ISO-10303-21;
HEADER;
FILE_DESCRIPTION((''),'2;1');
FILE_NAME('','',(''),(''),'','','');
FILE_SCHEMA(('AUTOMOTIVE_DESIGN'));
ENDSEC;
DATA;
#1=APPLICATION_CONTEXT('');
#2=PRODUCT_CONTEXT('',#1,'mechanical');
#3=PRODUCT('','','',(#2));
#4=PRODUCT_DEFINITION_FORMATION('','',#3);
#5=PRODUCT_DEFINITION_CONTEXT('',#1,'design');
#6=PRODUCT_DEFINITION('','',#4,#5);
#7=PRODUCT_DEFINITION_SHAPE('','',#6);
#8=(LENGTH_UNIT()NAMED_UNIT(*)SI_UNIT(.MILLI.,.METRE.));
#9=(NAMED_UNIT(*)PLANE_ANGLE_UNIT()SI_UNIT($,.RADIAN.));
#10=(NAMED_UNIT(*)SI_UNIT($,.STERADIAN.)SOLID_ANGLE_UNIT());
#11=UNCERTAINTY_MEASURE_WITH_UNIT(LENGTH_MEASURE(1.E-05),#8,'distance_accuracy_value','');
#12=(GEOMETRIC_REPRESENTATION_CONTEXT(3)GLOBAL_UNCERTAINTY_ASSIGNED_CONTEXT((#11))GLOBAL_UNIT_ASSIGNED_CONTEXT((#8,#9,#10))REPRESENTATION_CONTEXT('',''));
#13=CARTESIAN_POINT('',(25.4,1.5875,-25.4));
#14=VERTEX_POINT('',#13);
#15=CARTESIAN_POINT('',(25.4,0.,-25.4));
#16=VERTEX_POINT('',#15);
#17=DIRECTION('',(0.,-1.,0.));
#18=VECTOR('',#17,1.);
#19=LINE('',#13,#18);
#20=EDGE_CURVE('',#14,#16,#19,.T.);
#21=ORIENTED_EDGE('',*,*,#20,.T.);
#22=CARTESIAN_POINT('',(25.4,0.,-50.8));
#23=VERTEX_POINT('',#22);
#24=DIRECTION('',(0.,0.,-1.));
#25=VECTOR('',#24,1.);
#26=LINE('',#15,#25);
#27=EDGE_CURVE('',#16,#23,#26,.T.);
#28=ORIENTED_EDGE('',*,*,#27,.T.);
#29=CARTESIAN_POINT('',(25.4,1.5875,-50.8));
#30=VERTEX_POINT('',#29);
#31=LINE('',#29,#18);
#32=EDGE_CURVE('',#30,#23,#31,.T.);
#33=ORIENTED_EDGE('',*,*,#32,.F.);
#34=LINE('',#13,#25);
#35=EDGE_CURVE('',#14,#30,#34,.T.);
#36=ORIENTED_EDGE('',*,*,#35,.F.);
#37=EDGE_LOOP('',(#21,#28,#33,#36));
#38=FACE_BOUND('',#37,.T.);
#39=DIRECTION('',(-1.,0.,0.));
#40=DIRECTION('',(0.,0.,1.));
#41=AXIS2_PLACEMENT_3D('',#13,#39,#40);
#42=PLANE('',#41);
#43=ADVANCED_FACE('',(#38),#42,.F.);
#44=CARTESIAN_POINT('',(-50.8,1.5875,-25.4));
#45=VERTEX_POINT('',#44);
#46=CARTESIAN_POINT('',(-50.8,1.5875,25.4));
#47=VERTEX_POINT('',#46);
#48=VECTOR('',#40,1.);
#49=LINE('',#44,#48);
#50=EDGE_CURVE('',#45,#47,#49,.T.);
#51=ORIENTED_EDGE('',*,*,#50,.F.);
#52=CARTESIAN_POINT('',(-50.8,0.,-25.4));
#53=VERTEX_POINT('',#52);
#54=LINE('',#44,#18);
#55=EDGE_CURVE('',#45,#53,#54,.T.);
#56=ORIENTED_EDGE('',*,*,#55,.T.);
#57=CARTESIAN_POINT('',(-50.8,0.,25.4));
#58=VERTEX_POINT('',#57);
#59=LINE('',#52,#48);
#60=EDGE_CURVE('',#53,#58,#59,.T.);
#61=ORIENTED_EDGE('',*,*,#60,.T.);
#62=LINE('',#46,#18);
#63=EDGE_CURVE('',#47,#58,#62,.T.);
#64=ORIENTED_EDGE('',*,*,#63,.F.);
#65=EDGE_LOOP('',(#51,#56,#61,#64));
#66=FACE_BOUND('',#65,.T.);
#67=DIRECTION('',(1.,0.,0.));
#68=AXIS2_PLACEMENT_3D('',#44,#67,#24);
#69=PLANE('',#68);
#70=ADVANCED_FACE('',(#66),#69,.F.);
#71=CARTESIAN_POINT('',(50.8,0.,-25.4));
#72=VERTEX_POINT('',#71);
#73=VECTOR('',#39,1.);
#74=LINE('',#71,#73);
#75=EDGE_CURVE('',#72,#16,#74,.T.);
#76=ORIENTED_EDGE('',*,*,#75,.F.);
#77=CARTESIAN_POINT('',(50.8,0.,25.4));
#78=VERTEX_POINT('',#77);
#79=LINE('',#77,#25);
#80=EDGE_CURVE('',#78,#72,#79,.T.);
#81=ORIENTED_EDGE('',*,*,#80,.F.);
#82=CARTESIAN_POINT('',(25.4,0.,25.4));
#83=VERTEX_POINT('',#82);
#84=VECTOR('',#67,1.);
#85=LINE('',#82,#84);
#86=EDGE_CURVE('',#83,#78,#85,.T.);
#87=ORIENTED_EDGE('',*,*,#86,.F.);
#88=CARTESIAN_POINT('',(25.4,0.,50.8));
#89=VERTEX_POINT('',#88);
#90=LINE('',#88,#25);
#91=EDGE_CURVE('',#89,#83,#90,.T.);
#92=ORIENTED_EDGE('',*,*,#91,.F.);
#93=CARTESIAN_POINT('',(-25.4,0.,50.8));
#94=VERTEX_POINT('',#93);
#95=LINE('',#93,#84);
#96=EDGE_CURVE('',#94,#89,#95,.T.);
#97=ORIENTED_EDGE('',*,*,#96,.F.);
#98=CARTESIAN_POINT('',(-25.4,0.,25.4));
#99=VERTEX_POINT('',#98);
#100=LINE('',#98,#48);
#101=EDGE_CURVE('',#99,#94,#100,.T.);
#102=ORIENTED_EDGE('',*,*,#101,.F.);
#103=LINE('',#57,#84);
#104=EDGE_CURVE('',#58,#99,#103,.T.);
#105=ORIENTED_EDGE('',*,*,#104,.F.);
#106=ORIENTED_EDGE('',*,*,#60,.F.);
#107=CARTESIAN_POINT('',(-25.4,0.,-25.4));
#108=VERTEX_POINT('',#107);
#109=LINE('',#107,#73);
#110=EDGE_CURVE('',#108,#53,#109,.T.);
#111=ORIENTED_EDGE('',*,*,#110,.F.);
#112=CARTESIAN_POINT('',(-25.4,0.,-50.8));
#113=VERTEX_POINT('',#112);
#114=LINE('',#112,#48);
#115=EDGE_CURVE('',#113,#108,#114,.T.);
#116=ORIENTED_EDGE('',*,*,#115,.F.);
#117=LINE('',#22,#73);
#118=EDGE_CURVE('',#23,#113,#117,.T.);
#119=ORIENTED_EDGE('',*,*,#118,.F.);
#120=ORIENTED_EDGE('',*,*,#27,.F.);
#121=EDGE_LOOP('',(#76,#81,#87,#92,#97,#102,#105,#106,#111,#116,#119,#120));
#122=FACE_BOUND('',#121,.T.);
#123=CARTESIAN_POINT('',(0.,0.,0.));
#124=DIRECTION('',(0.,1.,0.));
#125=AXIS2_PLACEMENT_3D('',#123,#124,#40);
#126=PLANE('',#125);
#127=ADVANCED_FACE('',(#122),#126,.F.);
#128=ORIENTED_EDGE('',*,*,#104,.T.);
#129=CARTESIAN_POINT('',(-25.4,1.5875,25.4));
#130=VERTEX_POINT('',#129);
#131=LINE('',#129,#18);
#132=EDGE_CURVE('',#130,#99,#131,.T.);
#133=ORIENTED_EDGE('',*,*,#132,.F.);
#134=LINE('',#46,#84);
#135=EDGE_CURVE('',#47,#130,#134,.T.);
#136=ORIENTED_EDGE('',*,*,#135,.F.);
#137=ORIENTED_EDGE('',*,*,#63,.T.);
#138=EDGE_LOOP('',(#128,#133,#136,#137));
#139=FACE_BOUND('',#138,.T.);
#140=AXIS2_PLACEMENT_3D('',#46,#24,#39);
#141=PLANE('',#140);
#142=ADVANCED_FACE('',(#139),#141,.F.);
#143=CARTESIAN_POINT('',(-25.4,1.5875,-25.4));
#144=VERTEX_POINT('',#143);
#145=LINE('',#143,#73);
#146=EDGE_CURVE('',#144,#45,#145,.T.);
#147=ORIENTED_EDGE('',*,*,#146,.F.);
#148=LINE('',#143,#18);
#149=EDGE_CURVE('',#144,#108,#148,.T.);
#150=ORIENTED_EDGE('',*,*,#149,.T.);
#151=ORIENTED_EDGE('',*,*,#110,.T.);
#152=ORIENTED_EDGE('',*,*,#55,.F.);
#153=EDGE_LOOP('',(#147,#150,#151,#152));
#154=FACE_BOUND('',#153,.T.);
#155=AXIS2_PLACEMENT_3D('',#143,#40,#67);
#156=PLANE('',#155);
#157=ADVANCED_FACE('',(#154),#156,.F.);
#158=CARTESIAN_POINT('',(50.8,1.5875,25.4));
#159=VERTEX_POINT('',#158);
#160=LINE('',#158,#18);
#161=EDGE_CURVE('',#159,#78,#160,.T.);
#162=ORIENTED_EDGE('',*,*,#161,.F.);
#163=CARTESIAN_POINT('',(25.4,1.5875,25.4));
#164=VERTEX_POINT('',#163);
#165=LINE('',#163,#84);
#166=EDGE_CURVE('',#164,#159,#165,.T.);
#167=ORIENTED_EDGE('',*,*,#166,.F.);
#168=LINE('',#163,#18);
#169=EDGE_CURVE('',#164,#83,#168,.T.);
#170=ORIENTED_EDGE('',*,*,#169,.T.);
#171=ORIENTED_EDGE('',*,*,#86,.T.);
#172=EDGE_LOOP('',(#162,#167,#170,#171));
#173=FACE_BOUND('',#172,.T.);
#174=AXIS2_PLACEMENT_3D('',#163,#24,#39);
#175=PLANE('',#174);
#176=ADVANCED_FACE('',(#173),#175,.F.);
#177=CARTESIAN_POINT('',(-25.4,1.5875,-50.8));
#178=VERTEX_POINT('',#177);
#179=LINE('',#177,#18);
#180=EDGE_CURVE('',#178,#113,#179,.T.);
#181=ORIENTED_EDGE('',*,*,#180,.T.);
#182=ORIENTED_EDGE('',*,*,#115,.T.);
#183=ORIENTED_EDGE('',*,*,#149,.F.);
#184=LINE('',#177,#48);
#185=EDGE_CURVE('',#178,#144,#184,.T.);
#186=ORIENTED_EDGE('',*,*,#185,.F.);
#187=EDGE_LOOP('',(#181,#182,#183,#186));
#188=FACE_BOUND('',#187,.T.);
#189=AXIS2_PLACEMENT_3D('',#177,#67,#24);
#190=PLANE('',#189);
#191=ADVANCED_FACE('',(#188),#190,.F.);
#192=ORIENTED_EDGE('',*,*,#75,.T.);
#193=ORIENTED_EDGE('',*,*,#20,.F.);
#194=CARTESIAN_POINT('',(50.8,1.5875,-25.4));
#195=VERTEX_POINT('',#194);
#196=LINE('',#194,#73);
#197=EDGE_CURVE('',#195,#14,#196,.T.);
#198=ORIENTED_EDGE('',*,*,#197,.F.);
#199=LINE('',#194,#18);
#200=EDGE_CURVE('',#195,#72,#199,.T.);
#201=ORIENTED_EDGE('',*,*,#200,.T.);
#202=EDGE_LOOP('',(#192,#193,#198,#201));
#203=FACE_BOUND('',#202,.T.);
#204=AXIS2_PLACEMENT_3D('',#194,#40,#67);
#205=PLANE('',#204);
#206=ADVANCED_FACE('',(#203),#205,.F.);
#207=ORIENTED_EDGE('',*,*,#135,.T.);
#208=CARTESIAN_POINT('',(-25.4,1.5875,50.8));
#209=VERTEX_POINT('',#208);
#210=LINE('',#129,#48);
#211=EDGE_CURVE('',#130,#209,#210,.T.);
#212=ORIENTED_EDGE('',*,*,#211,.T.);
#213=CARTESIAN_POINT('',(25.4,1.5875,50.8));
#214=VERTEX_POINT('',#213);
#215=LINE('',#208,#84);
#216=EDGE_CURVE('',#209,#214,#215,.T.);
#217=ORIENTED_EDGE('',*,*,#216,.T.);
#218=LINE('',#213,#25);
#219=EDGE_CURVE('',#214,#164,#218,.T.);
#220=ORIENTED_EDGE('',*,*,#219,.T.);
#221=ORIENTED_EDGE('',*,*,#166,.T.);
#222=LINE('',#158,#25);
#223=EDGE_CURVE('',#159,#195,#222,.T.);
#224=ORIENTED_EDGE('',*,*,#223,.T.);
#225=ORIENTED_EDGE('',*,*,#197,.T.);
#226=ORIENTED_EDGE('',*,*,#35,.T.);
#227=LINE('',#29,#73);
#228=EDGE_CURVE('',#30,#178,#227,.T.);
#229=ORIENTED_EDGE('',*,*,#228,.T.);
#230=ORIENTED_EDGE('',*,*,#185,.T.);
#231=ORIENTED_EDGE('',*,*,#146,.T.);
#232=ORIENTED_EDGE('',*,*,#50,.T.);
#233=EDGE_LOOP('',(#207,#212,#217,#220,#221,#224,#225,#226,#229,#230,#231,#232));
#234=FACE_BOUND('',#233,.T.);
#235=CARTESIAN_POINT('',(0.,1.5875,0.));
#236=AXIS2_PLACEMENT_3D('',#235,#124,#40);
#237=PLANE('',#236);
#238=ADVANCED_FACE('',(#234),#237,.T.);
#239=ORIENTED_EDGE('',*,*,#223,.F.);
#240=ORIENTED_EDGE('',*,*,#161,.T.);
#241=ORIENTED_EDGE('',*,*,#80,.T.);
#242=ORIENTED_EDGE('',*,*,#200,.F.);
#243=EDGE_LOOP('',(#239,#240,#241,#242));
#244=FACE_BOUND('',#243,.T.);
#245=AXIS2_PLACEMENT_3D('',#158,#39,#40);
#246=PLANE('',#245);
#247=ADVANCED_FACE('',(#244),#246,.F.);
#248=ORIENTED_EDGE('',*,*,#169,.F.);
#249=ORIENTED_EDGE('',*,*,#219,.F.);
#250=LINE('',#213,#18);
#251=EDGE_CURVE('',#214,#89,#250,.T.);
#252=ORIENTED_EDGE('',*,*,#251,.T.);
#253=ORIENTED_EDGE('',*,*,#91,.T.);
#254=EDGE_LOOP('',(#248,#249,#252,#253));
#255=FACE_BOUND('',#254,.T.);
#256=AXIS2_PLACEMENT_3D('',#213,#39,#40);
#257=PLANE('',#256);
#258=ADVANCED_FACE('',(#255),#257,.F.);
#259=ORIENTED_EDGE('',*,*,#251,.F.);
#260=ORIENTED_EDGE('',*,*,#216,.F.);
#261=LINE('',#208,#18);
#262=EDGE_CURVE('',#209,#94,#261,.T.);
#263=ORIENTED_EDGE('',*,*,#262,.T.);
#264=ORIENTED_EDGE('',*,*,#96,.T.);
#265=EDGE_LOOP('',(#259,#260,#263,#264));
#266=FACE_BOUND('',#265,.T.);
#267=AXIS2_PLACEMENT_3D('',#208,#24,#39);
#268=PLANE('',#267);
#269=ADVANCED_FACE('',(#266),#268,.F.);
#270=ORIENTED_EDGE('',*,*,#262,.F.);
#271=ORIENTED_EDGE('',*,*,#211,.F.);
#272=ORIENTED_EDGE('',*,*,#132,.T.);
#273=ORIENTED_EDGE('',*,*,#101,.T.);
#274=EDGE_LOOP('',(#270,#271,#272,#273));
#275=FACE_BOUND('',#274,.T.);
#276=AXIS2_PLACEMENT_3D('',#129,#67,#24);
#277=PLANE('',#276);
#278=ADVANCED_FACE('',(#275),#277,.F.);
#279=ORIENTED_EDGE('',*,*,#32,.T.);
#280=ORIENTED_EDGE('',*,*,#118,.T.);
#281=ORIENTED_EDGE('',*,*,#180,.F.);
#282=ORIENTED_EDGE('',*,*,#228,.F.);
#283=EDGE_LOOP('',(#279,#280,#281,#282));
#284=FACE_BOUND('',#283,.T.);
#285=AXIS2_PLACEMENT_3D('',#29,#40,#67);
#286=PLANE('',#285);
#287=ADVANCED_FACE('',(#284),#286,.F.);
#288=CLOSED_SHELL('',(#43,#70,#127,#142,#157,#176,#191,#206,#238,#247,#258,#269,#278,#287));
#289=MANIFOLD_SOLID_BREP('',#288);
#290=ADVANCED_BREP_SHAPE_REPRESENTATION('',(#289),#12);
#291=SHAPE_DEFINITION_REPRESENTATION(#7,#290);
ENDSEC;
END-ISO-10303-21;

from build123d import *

# Parameters (mm, degrees)
BOSS_EXTRUDE1_DEPTH = 1.5875


with BuildPart() as part:
    # Sketch1 → Boss-Extrude1 (new body)
    with BuildSketch(Plane(origin=(0, 0, 0), x_dir=(1, 0, 0), z_dir=(0, 1, 0))):
        Polygon((-25.4, 50.8), (-25.4, 25.4), (-50.8, 25.4), (-50.8, -25.4), (-25.4, -25.4), (-25.4, -50.8), (25.4, -50.8), (25.4, -25.4), (50.8, -25.4), (50.8, 25.4), (25.4, 25.4), (25.4, 50.8), align=None)
    extrude(amount=BOSS_EXTRUDE1_DEPTH)


solid = part.part
